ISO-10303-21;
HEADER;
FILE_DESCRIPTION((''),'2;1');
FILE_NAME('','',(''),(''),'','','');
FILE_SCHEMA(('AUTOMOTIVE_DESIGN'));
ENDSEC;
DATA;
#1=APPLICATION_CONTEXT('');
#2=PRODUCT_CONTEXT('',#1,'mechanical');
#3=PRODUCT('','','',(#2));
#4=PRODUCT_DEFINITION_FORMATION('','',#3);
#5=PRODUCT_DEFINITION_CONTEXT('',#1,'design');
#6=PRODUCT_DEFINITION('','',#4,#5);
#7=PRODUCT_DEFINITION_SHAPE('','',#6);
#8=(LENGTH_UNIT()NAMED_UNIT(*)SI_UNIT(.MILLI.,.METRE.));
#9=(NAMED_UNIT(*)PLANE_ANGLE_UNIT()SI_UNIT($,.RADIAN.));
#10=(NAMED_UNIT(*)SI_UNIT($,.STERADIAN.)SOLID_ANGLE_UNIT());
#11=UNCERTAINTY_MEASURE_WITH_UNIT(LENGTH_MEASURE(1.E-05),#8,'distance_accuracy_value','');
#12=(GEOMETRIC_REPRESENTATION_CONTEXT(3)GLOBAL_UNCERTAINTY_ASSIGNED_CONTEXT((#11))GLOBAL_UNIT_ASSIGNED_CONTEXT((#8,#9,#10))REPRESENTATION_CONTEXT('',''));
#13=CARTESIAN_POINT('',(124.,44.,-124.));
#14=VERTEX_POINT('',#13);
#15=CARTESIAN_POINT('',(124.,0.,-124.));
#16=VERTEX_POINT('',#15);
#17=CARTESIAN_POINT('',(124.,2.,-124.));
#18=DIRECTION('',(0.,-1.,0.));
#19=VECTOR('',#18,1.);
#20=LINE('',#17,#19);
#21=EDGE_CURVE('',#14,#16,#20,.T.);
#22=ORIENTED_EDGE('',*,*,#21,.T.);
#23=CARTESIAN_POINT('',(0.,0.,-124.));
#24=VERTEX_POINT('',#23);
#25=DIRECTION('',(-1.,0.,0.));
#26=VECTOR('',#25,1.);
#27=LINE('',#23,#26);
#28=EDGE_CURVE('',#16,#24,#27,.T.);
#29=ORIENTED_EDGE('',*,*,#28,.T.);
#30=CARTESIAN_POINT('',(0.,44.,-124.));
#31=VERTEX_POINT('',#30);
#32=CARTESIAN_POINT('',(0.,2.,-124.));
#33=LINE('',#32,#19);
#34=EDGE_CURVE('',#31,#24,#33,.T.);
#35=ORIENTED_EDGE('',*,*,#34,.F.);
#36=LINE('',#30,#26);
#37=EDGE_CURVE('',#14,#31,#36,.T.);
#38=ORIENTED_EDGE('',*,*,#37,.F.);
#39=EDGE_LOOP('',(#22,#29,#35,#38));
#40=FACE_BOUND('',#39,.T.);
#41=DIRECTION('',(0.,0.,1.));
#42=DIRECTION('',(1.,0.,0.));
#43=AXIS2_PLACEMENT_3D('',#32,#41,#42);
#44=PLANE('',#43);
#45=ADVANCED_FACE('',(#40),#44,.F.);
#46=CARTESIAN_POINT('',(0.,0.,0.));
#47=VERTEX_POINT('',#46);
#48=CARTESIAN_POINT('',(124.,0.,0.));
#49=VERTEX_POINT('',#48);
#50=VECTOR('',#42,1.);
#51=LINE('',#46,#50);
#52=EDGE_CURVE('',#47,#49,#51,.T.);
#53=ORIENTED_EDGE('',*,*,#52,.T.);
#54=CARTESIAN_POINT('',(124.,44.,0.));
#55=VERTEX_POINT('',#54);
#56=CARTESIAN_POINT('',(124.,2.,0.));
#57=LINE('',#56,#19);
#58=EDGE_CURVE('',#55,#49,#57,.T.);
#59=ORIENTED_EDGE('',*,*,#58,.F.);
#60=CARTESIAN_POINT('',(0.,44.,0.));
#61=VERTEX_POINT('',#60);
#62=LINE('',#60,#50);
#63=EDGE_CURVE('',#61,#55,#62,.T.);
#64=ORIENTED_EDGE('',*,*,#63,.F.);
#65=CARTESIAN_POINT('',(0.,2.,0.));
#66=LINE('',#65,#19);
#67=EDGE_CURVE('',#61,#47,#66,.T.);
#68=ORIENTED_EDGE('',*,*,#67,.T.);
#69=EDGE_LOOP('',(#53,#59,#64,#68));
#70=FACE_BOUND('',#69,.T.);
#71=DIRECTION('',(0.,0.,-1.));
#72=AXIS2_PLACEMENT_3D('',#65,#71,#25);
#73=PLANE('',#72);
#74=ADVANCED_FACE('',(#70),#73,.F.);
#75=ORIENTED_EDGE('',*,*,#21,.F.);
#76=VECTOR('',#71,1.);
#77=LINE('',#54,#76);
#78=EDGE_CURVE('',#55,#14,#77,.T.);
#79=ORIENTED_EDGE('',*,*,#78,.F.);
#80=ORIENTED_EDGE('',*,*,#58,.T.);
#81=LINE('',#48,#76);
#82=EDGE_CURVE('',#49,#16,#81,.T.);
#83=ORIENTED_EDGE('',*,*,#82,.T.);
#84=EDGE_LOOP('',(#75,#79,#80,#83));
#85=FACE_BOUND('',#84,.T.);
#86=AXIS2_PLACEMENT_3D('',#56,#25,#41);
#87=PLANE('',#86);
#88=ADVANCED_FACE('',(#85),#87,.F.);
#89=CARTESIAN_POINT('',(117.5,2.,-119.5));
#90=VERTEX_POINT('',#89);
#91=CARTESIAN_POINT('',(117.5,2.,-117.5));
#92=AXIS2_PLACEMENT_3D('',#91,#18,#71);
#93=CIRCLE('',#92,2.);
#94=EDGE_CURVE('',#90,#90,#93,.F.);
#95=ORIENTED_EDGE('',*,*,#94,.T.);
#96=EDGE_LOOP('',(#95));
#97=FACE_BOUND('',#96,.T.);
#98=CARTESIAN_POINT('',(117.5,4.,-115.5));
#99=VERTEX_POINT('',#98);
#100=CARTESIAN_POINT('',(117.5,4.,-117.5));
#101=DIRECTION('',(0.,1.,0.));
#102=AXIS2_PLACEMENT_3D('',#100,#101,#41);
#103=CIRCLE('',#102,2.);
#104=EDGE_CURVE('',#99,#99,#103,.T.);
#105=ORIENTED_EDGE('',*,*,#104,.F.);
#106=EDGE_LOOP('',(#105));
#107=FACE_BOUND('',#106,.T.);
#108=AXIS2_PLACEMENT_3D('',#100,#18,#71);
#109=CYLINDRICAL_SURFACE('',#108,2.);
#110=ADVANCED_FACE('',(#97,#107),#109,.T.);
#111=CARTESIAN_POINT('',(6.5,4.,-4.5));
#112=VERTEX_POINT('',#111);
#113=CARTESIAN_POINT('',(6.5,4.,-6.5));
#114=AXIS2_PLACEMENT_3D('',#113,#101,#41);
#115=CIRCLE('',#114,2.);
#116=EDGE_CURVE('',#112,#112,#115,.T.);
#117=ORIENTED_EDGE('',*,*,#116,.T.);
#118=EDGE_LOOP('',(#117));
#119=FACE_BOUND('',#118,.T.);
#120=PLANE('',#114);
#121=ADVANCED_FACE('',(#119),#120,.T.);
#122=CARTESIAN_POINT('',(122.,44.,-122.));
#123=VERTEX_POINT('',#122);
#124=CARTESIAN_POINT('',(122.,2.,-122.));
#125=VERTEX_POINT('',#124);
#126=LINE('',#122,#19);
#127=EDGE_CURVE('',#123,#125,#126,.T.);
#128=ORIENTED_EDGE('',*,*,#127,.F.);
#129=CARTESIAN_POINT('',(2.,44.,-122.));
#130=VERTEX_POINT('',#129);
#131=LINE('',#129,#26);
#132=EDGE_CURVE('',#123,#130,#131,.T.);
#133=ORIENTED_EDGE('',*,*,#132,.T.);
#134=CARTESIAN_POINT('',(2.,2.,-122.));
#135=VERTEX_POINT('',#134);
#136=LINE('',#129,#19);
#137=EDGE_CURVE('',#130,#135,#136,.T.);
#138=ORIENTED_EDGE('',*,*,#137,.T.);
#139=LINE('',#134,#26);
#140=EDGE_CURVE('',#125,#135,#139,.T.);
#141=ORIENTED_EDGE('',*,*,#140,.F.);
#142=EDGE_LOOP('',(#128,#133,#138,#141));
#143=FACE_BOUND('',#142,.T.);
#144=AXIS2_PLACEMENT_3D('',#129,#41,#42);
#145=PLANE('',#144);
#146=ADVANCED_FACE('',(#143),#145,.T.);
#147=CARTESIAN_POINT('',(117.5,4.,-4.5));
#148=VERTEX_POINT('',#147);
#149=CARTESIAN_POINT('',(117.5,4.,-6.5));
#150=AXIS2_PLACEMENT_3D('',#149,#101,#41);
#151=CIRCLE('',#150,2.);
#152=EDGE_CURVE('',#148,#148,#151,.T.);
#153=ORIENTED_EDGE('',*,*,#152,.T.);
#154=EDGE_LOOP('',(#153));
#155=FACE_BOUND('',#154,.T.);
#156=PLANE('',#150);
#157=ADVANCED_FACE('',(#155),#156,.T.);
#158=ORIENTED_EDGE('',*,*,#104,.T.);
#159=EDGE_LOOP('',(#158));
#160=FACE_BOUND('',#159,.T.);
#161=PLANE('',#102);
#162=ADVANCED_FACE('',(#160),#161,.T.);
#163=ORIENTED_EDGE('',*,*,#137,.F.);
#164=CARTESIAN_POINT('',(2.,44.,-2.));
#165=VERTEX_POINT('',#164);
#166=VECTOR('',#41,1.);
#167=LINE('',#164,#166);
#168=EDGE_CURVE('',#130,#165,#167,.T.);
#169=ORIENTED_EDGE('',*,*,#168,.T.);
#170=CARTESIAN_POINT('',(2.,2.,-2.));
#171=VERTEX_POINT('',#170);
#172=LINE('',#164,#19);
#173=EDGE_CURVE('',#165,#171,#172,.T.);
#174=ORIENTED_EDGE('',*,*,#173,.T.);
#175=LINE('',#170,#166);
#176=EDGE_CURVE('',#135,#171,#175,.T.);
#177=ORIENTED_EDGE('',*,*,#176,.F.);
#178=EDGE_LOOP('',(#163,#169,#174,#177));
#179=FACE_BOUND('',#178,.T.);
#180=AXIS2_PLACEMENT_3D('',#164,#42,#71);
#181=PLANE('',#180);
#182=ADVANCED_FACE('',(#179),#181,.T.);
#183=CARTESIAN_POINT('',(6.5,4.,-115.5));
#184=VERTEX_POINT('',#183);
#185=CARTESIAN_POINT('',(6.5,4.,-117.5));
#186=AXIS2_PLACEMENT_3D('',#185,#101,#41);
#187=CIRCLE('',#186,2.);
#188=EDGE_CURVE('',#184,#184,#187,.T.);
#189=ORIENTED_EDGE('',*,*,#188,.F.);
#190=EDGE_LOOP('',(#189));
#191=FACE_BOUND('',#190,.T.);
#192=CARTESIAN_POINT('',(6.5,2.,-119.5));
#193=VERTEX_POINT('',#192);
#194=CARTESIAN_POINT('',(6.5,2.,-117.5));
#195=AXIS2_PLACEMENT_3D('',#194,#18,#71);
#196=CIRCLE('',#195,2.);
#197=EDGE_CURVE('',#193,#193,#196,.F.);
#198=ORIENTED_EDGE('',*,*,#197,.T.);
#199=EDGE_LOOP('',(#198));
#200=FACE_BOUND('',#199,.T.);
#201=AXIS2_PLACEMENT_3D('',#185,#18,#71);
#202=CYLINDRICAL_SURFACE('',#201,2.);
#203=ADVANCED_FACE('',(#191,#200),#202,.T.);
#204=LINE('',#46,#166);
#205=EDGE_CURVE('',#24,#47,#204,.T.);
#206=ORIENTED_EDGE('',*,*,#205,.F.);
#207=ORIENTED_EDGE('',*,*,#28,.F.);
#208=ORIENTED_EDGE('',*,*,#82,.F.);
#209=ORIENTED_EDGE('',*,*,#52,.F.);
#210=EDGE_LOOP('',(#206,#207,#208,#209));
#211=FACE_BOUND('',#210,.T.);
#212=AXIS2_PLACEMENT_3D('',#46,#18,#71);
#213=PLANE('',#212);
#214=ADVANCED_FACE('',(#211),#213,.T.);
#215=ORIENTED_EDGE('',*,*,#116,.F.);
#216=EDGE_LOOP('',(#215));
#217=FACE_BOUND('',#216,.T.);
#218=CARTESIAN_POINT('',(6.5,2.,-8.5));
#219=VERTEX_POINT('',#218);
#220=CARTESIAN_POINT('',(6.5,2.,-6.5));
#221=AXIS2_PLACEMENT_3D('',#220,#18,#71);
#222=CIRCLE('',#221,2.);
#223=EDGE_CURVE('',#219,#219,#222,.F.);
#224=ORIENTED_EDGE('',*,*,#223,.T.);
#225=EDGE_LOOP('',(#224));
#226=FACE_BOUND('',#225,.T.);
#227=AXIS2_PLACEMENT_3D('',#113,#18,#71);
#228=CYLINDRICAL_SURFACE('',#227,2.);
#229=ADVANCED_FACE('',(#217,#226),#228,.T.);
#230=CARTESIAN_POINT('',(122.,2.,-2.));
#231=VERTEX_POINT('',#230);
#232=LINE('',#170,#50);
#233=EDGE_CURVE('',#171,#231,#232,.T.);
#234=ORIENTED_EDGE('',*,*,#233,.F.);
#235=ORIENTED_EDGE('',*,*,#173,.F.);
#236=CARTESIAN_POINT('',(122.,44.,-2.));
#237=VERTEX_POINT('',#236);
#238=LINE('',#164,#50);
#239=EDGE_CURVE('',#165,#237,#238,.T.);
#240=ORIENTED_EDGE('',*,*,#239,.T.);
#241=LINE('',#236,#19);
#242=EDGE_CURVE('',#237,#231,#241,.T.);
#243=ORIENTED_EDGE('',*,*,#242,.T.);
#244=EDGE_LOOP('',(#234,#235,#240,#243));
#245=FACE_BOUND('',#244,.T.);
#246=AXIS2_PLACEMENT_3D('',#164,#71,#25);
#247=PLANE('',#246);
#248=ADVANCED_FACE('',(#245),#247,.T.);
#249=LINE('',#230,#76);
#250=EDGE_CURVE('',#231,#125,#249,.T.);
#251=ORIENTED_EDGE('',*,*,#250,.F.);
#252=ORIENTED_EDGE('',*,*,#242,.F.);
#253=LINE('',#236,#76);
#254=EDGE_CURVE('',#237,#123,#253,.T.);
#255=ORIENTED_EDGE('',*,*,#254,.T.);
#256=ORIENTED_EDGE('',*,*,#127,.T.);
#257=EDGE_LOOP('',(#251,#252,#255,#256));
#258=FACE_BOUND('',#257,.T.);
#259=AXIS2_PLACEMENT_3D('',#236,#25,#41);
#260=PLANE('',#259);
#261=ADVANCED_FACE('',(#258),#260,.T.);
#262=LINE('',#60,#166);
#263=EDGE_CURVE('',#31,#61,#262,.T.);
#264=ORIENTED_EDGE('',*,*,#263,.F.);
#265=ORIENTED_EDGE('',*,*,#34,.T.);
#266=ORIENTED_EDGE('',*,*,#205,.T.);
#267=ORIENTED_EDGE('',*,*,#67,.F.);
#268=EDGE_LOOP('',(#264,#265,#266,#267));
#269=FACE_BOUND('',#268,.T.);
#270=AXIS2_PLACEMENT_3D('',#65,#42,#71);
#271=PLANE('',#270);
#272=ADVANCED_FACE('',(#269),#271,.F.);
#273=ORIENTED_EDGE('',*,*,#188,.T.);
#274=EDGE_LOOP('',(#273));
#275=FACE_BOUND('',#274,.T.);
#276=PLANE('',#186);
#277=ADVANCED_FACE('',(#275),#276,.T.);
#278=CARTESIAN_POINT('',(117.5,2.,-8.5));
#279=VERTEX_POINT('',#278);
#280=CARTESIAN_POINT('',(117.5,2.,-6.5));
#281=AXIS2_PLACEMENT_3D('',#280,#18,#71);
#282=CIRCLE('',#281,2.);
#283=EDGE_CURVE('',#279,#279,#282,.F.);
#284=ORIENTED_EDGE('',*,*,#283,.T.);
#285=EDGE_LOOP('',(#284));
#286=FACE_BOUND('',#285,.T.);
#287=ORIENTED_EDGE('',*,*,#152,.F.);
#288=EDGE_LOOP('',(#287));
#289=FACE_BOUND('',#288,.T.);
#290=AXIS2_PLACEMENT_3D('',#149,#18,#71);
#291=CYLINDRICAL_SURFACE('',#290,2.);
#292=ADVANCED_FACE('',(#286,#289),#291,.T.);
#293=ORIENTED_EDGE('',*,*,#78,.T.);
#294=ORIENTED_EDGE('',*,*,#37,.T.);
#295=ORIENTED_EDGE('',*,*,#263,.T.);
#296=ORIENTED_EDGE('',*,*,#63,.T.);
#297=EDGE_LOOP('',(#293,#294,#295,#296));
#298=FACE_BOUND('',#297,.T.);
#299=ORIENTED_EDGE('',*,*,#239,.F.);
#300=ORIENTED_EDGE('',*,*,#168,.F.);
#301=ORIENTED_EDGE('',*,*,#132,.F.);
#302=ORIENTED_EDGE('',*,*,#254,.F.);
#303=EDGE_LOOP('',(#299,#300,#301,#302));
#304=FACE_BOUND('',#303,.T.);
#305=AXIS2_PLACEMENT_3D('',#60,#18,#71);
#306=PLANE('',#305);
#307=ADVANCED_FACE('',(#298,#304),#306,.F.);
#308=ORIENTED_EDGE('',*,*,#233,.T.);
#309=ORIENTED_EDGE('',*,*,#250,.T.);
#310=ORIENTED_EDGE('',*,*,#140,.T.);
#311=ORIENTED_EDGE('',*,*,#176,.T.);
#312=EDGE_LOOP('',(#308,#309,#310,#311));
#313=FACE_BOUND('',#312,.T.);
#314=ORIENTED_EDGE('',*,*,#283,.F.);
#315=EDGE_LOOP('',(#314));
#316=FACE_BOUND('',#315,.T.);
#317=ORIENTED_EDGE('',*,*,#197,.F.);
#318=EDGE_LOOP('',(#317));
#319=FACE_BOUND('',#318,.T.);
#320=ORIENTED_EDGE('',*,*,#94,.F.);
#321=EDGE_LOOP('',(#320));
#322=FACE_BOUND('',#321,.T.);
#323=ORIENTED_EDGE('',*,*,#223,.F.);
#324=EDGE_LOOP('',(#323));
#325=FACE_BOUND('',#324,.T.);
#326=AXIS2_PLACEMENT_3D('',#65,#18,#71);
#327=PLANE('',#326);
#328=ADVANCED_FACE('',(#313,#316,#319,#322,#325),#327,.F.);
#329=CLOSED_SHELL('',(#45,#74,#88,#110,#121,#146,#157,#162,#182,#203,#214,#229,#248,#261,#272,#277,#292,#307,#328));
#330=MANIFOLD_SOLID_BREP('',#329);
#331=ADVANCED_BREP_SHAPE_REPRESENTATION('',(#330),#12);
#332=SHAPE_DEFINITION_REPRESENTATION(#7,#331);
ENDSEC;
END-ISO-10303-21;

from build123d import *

# Parameters (mm, degrees)
SKETCH_2_W      = 124
SKETCH_2_H      = 124
EXTRUDE_1_DEPTH = 2
SKETCH_6_W      = 124
SKETCH_6_H      = 124
SKETCH_6_W_2    = 120
SKETCH_6_H_2    = 120
EXTRUDE_3_DEPTH = 42
SKETCH_7_R      = 2
EXTRUDE_4_DEPTH = 2


with BuildPart() as part:
    # 草图2 → 凸台-拉伸1 (new body)
    with BuildSketch(Plane(origin=(0, 0, 0), x_dir=(1, 0, 0), z_dir=(0, 1, 0))):
        with Locations((62, 62)):
            Rectangle(SKETCH_2_W, SKETCH_2_H)
    extrude(amount=EXTRUDE_1_DEPTH)

    # 草图6 → 凸台-拉伸3 (add)
    with BuildSketch(Plane(origin=(0, 2, 0), x_dir=(1, 0, 0), z_dir=(0, 1, 0))):
        with Locations((62, 62)):
            Rectangle(SKETCH_6_W, SKETCH_6_H)
        with Locations((62, 62)):
            Rectangle(SKETCH_6_W_2, SKETCH_6_H_2, mode=Mode.SUBTRACT)
    extrude(amount=EXTRUDE_3_DEPTH)

    # 草图7 → 凸台-拉伸4 (add)
    with BuildSketch(Plane(origin=(0, 2, 0), x_dir=(1, 0, 0), z_dir=(0, 1, 0))):
        with Locations(Location((6.5, 6.5, 0), (0, 0, 90))):
            Circle(SKETCH_7_R)
        with Locations(Location((117.5, 6.5, 0), (0, 0, 90))):
            Circle(SKETCH_7_R)
        with Locations(Location((6.5, 117.5, 0), (0, 0, 90))):
            Circle(SKETCH_7_R)
        with Locations(Location((117.5, 117.5, 0), (0, 0, 90))):
            Circle(SKETCH_7_R)
    extrude(amount=EXTRUDE_4_DEPTH)


solid = part.part
